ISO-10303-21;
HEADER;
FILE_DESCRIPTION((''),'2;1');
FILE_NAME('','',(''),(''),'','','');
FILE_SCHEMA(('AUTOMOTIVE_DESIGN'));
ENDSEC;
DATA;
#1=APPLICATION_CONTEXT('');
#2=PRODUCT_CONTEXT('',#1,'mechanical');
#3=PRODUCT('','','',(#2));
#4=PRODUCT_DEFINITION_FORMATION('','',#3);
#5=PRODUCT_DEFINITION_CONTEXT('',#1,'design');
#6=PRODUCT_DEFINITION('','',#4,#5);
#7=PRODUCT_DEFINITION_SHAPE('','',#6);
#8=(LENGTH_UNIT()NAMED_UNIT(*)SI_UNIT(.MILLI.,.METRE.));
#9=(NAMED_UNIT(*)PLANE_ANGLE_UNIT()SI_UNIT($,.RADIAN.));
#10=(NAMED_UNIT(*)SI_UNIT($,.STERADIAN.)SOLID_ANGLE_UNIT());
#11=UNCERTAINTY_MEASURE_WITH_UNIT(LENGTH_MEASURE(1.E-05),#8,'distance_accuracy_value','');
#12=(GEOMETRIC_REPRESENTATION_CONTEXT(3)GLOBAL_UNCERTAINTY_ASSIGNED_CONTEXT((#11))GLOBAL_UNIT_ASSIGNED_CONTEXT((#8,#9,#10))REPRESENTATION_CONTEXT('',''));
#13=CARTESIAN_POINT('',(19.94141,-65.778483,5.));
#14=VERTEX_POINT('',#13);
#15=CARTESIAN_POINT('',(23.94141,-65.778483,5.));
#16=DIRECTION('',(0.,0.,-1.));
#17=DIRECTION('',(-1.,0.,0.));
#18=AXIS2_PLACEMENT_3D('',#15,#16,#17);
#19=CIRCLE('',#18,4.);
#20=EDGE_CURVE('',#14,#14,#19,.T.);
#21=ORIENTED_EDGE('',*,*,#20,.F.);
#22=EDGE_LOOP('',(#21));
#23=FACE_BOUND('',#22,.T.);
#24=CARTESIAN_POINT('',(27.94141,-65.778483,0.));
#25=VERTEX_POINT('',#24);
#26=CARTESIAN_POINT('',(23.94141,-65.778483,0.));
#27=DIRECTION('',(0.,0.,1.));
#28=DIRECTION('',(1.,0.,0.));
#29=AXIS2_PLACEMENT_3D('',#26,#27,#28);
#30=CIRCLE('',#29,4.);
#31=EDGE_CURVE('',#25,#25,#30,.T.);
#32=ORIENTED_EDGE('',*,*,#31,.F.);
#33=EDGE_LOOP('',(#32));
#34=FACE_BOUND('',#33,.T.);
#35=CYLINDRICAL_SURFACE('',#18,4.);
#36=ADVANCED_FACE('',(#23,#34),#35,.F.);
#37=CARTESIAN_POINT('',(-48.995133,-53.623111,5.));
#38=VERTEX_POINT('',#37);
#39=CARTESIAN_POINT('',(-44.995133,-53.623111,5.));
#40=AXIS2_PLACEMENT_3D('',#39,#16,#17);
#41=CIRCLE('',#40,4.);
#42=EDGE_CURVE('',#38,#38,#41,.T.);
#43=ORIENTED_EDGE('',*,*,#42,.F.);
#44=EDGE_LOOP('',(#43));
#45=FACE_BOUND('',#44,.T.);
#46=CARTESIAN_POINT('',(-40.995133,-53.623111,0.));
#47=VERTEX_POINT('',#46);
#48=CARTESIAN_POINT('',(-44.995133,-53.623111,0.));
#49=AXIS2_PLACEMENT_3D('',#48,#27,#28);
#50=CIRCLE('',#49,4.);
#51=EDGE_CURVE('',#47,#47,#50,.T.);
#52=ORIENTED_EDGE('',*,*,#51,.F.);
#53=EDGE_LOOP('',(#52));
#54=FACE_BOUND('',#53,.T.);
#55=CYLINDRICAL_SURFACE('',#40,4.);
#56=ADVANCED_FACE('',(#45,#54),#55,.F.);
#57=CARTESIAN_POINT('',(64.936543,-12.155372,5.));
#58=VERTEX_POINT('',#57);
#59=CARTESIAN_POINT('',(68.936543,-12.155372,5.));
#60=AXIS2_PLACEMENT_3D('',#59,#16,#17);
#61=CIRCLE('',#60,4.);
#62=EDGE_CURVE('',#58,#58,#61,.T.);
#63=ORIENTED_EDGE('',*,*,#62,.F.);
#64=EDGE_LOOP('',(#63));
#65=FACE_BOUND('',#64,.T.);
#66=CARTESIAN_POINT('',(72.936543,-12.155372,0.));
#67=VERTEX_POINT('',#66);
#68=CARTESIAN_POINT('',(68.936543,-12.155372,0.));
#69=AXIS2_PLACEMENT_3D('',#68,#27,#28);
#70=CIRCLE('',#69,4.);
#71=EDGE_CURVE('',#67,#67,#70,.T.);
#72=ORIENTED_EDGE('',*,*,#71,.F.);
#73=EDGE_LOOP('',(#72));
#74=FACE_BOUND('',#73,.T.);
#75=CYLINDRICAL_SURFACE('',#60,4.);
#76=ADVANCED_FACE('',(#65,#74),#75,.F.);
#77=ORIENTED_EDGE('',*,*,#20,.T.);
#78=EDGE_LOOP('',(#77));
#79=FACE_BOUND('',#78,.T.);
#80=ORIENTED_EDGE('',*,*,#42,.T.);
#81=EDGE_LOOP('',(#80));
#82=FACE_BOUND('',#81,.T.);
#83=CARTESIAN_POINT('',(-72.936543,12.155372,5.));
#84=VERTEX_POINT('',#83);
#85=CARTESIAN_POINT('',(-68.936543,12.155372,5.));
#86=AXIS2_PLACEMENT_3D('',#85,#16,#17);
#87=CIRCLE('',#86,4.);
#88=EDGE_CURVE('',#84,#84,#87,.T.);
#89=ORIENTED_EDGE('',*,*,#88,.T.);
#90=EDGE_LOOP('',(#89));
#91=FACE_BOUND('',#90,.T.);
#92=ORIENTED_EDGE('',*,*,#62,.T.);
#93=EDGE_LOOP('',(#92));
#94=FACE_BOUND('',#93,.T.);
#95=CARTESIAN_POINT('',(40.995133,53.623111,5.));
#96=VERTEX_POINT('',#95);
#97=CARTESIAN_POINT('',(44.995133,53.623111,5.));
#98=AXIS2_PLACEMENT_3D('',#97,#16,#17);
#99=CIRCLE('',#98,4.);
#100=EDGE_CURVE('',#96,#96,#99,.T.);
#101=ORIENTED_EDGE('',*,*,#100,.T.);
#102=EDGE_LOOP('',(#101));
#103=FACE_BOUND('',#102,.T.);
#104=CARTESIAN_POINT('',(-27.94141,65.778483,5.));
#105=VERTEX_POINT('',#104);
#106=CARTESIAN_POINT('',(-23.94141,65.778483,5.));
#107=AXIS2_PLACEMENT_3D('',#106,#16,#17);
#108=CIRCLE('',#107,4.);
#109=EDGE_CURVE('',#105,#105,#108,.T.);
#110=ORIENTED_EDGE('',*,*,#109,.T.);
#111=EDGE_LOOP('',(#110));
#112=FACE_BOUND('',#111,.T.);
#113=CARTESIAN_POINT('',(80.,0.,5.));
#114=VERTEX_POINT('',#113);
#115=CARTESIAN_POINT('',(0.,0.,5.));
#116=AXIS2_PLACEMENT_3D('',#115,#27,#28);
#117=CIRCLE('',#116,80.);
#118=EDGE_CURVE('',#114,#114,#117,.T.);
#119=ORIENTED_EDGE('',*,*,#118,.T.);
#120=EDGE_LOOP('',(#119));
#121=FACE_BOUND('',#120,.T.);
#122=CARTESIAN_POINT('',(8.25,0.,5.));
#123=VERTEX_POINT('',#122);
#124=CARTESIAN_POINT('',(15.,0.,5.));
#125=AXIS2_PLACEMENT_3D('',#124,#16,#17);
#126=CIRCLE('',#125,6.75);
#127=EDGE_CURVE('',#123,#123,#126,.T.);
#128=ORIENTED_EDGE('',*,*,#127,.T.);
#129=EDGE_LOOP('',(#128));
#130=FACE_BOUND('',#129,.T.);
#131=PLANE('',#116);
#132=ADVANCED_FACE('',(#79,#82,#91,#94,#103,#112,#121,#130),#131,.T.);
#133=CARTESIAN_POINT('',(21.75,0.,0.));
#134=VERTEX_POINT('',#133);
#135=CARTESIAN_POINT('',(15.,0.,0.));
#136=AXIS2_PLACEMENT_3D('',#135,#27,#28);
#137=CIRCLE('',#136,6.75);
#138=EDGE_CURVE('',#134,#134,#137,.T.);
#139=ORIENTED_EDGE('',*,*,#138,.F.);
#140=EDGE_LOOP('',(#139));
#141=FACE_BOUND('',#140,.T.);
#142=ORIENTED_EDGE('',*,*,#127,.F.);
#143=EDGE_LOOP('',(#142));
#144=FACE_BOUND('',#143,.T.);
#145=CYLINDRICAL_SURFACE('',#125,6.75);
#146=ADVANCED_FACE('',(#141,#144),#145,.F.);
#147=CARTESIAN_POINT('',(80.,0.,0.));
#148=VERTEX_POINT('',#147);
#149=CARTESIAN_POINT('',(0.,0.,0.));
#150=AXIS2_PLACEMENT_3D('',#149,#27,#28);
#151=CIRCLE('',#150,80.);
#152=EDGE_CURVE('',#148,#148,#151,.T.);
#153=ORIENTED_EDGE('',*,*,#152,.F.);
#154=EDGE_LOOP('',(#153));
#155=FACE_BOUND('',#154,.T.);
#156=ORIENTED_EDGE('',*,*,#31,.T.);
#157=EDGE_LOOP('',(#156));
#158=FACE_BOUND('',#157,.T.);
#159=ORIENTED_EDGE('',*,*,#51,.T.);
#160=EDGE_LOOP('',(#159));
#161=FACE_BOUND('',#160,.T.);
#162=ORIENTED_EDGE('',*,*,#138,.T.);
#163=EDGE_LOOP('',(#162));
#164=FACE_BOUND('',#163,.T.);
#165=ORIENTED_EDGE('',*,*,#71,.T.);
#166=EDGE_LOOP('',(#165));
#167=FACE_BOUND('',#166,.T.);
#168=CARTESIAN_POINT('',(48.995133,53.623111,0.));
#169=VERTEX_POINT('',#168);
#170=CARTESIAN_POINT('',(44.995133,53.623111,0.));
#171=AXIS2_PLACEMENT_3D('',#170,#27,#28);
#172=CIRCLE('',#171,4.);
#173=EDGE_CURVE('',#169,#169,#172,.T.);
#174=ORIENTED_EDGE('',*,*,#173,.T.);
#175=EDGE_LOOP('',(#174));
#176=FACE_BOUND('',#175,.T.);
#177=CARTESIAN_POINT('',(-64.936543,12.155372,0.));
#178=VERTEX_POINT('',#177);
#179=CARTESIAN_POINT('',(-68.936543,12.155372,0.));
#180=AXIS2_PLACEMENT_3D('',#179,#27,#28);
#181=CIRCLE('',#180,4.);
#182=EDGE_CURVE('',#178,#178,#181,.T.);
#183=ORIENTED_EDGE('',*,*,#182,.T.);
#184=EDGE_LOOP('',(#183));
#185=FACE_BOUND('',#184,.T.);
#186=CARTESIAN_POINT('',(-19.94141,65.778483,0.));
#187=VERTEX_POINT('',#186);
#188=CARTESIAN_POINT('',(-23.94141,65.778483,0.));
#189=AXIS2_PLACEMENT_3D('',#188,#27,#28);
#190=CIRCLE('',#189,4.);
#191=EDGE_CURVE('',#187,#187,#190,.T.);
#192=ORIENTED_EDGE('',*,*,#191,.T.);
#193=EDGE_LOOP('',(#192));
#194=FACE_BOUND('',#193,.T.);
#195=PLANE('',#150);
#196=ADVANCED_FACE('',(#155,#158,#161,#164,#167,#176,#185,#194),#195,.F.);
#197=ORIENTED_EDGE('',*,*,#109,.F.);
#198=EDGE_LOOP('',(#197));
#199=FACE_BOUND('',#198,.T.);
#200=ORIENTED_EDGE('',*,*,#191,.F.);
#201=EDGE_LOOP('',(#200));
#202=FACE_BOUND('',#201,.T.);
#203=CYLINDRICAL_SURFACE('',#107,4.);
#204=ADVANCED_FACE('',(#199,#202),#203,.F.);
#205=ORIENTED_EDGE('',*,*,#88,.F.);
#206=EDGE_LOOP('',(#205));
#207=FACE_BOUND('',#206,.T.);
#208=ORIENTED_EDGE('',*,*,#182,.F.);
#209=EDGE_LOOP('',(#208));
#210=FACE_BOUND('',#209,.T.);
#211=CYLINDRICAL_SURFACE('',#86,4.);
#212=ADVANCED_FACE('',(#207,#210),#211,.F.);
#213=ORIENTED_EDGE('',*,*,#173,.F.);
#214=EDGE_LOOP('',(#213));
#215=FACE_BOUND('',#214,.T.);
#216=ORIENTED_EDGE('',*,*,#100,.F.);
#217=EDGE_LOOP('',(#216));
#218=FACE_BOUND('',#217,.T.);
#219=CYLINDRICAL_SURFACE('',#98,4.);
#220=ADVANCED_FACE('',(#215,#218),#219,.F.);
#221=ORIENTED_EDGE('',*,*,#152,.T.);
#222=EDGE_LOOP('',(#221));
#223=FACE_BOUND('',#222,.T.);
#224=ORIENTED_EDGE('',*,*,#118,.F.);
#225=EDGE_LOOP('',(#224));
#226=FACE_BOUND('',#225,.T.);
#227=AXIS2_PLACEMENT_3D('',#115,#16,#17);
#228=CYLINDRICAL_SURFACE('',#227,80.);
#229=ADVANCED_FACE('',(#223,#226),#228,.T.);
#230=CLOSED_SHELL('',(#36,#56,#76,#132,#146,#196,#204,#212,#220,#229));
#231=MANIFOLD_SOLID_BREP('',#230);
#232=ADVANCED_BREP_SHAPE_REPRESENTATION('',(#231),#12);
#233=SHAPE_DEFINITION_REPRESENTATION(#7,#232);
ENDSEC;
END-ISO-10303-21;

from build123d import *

# Parameters (mm, degrees)
ESBO_O1_R                  = 80
RESSALTO_EXTRUS_O1_DEPTH   = 5
CORTE_EXTRUS_O1_DEPTH      = 114.247516529
CORTE_EXTRUS_O1_DEPTH_BACK = 114.247516529
ESBO_O3_R                  = 6.75
CORTE_EXTRUS_O2_DEPTH      = 114.247516529
CORTE_EXTRUS_O2_DEPTH_BACK = 114.247516529
ESBO_O5_R                  = 4


with BuildPart() as part:
    # Esboço1 → Ressalto-extrusão1 (new body)
    with BuildSketch(Plane.XY):
        Circle(ESBO_O1_R)
    extrude(amount=RESSALTO_EXTRUS_O1_DEPTH)

    # Esboço3 → Corte-extrusão1 (cut, two sides: drawn at the far end of the back side and taken through both)
    with BuildSketch(Plane(origin=(0, 0, 0), x_dir=(-1, 0, 0), z_dir=(0, 0, -1)).offset(-CORTE_EXTRUS_O1_DEPTH_BACK)):
        with Locations((-15, 0)):
            Circle(ESBO_O3_R)
    extrude(amount=CORTE_EXTRUS_O1_DEPTH + CORTE_EXTRUS_O1_DEPTH_BACK, mode=Mode.SUBTRACT)

    # Esboço5 → Corte-extrusão2 (cut, two sides: drawn at the far end of the back side and taken through both)
    with BuildSketch(Plane(origin=(0, 0, 0), x_dir=(-1, 0, 0), z_dir=(0, 0, -1)).offset(-CORTE_EXTRUS_O2_DEPTH_BACK)):
        with Locations((23.941410033, 65.778483455)):
            Circle(ESBO_O5_R)
        with Locations((68.936542711, 12.155372437)):
            Circle(ESBO_O5_R)
        with Locations((44.995132678, -53.623111018)):
            Circle(ESBO_O5_R)
        with Locations((-23.941410033, -65.778483455)):
            Circle(ESBO_O5_R)
        with Locations((-68.936542711, -12.155372437)):
            Circle(ESBO_O5_R)
        with Locations((-44.995132678, 53.623111018)):
            Circle(ESBO_O5_R)
    extrude(amount=CORTE_EXTRUS_O2_DEPTH + CORTE_EXTRUS_O2_DEPTH_BACK, mode=Mode.SUBTRACT)


solid = part.part
